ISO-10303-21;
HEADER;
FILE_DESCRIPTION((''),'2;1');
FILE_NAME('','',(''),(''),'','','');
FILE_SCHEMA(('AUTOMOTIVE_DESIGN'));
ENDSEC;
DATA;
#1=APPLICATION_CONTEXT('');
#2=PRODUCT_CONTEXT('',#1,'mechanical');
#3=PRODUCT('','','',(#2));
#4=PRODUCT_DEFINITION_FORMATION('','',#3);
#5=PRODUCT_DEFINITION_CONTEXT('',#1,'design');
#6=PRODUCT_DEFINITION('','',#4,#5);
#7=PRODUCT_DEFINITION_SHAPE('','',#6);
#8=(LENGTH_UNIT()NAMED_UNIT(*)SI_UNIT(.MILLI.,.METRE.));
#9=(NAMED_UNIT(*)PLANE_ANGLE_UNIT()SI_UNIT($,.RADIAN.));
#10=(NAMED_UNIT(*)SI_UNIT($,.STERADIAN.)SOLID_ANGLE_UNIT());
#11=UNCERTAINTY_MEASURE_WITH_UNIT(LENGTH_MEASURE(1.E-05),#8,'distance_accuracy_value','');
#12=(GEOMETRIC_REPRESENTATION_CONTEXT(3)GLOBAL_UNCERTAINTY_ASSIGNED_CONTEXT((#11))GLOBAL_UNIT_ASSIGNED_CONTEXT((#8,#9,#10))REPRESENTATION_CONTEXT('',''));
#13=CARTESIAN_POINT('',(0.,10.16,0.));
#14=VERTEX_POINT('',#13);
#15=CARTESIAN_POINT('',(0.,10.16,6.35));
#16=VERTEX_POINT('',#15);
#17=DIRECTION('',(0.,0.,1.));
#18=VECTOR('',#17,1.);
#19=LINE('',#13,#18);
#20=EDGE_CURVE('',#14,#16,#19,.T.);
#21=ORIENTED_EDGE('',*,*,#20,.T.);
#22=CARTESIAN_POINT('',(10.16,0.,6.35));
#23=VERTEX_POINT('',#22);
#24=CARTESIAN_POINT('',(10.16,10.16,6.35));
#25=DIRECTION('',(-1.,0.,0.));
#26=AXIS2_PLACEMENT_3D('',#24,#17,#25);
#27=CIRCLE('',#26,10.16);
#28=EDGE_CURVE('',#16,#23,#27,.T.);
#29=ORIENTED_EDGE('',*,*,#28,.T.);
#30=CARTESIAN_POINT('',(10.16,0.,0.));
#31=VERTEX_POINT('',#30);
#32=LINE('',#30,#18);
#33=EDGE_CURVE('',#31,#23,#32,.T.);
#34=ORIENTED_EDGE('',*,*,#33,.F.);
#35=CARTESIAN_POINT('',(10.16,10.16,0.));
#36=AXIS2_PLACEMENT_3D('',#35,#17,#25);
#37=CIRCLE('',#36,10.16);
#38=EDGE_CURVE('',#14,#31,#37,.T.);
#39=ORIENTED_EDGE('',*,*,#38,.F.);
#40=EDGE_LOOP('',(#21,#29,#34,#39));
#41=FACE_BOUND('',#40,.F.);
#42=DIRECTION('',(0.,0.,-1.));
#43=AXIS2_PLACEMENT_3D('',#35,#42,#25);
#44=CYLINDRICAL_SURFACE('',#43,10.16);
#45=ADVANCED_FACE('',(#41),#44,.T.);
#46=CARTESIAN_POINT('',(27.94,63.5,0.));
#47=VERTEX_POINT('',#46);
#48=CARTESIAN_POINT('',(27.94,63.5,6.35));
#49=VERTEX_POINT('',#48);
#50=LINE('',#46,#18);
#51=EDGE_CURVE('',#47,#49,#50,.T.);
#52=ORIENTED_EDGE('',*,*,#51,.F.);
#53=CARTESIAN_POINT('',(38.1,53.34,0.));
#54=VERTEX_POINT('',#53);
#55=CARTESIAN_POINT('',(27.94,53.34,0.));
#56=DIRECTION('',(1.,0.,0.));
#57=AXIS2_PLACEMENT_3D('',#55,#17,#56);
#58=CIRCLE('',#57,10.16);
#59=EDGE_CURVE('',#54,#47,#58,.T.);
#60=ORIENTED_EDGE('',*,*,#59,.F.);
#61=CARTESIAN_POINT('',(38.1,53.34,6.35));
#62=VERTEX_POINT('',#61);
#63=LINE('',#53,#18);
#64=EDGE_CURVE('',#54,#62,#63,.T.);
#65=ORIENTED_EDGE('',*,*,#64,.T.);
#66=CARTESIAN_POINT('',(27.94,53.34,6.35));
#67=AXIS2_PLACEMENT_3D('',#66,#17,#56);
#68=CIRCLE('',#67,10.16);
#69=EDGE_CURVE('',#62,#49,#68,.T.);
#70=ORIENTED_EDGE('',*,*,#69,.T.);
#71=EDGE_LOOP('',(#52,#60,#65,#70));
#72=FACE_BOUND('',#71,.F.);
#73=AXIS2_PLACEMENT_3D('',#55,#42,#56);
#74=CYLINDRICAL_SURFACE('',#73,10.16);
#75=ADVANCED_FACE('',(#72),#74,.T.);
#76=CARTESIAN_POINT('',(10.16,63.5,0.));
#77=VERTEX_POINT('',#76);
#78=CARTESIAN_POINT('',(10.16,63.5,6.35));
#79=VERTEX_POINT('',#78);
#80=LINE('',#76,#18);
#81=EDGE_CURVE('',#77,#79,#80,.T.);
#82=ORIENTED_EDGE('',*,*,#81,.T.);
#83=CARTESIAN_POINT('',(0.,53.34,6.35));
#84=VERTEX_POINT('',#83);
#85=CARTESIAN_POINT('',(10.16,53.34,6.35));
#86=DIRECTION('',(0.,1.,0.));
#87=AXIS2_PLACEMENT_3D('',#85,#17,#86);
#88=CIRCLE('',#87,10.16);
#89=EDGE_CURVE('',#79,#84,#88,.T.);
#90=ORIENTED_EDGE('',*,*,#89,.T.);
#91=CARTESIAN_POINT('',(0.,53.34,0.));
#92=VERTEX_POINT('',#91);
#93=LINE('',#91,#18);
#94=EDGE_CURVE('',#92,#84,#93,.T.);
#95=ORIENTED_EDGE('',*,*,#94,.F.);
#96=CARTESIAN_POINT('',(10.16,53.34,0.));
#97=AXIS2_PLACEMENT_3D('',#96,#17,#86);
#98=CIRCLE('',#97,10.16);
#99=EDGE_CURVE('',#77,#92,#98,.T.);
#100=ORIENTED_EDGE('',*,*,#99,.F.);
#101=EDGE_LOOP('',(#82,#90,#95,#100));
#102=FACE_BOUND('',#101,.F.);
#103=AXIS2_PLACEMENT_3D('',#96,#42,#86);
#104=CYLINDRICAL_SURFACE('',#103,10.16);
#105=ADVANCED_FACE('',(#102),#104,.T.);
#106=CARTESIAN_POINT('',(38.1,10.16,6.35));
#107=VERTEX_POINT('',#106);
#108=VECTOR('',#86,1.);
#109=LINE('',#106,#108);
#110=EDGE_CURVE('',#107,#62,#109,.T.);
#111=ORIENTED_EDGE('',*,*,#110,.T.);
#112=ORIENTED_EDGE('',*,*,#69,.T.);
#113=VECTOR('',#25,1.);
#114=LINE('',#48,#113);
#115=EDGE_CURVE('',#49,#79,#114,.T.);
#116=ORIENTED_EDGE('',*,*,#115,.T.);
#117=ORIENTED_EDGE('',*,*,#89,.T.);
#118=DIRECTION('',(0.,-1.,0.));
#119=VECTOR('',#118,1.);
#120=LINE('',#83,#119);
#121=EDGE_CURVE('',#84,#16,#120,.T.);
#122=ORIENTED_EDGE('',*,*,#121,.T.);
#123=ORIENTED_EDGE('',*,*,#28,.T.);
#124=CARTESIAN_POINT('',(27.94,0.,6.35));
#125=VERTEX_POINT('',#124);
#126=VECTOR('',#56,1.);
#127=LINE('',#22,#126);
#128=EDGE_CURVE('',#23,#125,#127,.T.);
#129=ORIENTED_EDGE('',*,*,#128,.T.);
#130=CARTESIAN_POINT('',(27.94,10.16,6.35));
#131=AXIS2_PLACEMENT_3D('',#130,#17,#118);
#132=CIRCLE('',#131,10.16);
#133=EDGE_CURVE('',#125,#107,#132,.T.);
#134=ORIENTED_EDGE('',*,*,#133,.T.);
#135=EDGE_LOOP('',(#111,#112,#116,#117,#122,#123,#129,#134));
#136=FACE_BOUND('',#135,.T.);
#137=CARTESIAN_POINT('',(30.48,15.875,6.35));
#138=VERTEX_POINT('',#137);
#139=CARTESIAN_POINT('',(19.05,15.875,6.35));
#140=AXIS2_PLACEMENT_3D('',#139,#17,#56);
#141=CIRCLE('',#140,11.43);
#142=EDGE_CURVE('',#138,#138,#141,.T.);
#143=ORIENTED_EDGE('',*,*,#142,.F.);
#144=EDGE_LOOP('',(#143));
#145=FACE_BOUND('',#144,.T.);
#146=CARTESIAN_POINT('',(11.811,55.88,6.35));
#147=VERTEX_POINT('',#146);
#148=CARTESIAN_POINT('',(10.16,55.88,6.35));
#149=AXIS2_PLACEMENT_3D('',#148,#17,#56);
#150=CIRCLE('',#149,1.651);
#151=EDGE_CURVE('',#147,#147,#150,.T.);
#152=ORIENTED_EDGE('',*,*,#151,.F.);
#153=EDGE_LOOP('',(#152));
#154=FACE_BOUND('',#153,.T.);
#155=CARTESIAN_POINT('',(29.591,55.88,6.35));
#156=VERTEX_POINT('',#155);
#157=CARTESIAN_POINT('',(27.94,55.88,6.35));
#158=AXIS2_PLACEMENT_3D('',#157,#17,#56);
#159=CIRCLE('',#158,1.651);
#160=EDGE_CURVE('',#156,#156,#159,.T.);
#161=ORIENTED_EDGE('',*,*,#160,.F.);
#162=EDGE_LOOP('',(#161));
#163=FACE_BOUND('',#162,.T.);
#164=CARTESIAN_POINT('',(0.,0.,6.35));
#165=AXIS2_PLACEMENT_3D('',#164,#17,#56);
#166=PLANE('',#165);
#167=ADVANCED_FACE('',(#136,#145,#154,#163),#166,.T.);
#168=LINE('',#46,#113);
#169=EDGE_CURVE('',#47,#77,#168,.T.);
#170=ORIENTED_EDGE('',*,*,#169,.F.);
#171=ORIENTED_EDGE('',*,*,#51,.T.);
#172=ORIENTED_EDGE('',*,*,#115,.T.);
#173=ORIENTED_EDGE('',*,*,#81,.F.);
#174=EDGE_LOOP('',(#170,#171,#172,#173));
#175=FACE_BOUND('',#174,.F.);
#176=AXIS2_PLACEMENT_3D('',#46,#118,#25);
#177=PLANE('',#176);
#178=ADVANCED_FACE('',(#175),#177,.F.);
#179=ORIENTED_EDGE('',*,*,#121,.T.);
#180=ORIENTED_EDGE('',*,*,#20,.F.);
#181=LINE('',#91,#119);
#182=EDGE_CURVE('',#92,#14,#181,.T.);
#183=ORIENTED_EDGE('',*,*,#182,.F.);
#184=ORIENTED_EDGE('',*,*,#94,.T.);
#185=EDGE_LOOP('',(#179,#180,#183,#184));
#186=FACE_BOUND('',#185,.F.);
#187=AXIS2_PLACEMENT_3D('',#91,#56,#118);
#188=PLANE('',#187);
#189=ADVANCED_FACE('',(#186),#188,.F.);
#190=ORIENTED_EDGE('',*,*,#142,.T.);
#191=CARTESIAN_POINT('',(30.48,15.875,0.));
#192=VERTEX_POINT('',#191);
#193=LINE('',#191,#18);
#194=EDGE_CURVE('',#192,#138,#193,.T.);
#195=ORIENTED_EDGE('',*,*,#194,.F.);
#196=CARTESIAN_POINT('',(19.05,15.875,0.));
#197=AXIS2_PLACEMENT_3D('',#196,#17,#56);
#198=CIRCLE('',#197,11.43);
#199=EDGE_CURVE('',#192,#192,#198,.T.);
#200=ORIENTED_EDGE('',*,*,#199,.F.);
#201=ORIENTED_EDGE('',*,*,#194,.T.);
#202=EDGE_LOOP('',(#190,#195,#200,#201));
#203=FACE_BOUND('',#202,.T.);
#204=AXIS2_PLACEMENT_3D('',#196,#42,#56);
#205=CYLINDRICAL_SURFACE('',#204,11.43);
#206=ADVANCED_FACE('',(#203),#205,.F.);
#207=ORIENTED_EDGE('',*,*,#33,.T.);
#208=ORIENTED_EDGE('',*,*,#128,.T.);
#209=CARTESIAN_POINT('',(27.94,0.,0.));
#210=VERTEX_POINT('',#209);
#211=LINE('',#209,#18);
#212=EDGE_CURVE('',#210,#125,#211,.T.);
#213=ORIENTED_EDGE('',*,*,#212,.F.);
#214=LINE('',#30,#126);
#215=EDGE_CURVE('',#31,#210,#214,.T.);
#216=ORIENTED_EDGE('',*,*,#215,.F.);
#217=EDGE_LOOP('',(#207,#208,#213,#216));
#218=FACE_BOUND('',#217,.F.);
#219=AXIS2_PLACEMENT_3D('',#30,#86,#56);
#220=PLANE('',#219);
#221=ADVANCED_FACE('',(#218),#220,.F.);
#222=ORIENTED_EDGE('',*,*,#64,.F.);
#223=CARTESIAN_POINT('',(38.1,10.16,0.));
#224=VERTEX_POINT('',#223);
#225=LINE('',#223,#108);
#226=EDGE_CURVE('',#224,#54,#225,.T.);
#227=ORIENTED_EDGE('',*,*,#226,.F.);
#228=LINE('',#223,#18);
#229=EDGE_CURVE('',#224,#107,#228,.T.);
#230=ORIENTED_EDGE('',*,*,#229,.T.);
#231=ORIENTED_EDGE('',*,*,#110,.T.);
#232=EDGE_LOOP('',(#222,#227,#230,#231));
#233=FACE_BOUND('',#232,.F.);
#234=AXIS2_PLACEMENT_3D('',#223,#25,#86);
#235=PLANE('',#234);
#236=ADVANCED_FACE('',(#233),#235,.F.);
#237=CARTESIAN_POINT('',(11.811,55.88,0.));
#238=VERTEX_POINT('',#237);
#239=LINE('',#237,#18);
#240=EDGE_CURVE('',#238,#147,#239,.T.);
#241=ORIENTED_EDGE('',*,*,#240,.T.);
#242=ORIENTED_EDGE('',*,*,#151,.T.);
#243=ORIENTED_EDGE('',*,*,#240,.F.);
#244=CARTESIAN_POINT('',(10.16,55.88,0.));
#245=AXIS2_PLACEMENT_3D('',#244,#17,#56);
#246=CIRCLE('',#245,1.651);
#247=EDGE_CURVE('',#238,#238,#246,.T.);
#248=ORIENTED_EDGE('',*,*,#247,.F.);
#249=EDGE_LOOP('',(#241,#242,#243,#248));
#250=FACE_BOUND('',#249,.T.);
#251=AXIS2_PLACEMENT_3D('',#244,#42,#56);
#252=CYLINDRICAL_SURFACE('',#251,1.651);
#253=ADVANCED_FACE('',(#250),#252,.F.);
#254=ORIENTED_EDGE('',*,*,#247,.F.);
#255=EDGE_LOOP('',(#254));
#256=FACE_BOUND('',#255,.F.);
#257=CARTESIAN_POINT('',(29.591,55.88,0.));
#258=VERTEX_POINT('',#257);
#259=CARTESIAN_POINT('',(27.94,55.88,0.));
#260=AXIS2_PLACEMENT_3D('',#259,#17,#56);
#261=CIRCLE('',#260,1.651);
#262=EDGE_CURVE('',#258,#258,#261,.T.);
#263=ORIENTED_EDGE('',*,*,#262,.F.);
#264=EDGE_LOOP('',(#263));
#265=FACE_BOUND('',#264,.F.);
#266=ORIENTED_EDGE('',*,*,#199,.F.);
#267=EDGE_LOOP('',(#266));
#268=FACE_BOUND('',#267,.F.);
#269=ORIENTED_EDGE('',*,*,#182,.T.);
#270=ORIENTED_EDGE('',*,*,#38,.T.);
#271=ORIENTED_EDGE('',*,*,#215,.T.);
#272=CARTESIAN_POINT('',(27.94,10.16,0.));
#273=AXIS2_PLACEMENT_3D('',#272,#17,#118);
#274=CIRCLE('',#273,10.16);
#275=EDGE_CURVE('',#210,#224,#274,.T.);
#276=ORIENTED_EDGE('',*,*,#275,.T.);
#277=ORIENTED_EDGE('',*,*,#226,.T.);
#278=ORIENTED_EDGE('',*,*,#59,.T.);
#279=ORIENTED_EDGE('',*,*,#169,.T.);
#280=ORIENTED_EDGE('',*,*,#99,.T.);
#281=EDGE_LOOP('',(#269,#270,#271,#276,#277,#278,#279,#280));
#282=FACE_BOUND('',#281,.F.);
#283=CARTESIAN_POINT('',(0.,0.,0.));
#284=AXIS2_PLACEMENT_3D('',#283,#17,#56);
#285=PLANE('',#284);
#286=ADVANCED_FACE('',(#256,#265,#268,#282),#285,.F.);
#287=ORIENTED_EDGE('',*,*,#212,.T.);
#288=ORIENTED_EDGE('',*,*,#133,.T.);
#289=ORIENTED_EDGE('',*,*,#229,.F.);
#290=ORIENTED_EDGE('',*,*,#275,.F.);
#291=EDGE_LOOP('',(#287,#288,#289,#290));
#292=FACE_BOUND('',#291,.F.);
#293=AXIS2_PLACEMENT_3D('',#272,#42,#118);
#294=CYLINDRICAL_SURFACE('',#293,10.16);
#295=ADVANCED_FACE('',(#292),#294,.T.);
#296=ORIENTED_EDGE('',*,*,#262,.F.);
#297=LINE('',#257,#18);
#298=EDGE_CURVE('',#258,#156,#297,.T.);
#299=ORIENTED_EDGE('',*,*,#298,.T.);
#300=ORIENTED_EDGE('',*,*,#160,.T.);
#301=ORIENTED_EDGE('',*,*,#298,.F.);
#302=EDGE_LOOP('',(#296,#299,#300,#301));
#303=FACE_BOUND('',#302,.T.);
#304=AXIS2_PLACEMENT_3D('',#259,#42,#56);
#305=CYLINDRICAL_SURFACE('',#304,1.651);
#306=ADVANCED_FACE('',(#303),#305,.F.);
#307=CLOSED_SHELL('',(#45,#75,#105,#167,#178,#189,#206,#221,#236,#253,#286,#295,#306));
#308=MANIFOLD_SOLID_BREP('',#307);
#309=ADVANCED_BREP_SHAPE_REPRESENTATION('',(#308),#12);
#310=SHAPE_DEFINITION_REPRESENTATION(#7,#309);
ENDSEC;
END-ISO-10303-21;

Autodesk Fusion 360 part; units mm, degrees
sketch "Sketch1" plane through (0, 0, 0) normal (0, 0, 1) x (1, 0, 0)
  line L0 (10.16, 0) -> (27.94, 0)
  line L1 (38.1, 10.16) -> (38.1, 53.34)
  line L2 (27.94, 63.5) -> (10.16, 63.5)
  line L3 (0, 53.34) -> (0, 10.16)
  circle A0 centre (19.05, 15.875) radius 11.43
  arc A1 (10.16, 63.5) -> (0, 53.34) centre (10.16, 53.34) ccw
  arc A2 (38.1, 53.34) -> (27.94, 63.5) centre (27.94, 53.34) ccw
  arc A3 (27.94, 0) -> (38.1, 10.16) centre (27.94, 10.16) ccw
  arc A4 (0, 10.16) -> (10.16, 0) centre (10.16, 10.16) ccw
  circle A5 centre (10.16, 55.88) radius 1.651
  line L4 (19.05, 63.5) -> (19.05, 0) construction
  circle A6 centre (27.94, 55.88) radius 1.651
  point P0 (38.1, 0)
  point P1 (0, 63.5)
  dimension "d1" = 38.1
  dimension "d2" = 63.5
  dimension "d3" = 22.86
  dimension "d4" = 10.16
  dimension "d5" = 3.302
  dimension "d6" = 7.62
  dimension "d7" = 10.16
  dimension "d8" = 19.05
  dimension "d9" = 15.875
extrude "Extrude1" add sketch "Sketch1" along normal blind 6.35
